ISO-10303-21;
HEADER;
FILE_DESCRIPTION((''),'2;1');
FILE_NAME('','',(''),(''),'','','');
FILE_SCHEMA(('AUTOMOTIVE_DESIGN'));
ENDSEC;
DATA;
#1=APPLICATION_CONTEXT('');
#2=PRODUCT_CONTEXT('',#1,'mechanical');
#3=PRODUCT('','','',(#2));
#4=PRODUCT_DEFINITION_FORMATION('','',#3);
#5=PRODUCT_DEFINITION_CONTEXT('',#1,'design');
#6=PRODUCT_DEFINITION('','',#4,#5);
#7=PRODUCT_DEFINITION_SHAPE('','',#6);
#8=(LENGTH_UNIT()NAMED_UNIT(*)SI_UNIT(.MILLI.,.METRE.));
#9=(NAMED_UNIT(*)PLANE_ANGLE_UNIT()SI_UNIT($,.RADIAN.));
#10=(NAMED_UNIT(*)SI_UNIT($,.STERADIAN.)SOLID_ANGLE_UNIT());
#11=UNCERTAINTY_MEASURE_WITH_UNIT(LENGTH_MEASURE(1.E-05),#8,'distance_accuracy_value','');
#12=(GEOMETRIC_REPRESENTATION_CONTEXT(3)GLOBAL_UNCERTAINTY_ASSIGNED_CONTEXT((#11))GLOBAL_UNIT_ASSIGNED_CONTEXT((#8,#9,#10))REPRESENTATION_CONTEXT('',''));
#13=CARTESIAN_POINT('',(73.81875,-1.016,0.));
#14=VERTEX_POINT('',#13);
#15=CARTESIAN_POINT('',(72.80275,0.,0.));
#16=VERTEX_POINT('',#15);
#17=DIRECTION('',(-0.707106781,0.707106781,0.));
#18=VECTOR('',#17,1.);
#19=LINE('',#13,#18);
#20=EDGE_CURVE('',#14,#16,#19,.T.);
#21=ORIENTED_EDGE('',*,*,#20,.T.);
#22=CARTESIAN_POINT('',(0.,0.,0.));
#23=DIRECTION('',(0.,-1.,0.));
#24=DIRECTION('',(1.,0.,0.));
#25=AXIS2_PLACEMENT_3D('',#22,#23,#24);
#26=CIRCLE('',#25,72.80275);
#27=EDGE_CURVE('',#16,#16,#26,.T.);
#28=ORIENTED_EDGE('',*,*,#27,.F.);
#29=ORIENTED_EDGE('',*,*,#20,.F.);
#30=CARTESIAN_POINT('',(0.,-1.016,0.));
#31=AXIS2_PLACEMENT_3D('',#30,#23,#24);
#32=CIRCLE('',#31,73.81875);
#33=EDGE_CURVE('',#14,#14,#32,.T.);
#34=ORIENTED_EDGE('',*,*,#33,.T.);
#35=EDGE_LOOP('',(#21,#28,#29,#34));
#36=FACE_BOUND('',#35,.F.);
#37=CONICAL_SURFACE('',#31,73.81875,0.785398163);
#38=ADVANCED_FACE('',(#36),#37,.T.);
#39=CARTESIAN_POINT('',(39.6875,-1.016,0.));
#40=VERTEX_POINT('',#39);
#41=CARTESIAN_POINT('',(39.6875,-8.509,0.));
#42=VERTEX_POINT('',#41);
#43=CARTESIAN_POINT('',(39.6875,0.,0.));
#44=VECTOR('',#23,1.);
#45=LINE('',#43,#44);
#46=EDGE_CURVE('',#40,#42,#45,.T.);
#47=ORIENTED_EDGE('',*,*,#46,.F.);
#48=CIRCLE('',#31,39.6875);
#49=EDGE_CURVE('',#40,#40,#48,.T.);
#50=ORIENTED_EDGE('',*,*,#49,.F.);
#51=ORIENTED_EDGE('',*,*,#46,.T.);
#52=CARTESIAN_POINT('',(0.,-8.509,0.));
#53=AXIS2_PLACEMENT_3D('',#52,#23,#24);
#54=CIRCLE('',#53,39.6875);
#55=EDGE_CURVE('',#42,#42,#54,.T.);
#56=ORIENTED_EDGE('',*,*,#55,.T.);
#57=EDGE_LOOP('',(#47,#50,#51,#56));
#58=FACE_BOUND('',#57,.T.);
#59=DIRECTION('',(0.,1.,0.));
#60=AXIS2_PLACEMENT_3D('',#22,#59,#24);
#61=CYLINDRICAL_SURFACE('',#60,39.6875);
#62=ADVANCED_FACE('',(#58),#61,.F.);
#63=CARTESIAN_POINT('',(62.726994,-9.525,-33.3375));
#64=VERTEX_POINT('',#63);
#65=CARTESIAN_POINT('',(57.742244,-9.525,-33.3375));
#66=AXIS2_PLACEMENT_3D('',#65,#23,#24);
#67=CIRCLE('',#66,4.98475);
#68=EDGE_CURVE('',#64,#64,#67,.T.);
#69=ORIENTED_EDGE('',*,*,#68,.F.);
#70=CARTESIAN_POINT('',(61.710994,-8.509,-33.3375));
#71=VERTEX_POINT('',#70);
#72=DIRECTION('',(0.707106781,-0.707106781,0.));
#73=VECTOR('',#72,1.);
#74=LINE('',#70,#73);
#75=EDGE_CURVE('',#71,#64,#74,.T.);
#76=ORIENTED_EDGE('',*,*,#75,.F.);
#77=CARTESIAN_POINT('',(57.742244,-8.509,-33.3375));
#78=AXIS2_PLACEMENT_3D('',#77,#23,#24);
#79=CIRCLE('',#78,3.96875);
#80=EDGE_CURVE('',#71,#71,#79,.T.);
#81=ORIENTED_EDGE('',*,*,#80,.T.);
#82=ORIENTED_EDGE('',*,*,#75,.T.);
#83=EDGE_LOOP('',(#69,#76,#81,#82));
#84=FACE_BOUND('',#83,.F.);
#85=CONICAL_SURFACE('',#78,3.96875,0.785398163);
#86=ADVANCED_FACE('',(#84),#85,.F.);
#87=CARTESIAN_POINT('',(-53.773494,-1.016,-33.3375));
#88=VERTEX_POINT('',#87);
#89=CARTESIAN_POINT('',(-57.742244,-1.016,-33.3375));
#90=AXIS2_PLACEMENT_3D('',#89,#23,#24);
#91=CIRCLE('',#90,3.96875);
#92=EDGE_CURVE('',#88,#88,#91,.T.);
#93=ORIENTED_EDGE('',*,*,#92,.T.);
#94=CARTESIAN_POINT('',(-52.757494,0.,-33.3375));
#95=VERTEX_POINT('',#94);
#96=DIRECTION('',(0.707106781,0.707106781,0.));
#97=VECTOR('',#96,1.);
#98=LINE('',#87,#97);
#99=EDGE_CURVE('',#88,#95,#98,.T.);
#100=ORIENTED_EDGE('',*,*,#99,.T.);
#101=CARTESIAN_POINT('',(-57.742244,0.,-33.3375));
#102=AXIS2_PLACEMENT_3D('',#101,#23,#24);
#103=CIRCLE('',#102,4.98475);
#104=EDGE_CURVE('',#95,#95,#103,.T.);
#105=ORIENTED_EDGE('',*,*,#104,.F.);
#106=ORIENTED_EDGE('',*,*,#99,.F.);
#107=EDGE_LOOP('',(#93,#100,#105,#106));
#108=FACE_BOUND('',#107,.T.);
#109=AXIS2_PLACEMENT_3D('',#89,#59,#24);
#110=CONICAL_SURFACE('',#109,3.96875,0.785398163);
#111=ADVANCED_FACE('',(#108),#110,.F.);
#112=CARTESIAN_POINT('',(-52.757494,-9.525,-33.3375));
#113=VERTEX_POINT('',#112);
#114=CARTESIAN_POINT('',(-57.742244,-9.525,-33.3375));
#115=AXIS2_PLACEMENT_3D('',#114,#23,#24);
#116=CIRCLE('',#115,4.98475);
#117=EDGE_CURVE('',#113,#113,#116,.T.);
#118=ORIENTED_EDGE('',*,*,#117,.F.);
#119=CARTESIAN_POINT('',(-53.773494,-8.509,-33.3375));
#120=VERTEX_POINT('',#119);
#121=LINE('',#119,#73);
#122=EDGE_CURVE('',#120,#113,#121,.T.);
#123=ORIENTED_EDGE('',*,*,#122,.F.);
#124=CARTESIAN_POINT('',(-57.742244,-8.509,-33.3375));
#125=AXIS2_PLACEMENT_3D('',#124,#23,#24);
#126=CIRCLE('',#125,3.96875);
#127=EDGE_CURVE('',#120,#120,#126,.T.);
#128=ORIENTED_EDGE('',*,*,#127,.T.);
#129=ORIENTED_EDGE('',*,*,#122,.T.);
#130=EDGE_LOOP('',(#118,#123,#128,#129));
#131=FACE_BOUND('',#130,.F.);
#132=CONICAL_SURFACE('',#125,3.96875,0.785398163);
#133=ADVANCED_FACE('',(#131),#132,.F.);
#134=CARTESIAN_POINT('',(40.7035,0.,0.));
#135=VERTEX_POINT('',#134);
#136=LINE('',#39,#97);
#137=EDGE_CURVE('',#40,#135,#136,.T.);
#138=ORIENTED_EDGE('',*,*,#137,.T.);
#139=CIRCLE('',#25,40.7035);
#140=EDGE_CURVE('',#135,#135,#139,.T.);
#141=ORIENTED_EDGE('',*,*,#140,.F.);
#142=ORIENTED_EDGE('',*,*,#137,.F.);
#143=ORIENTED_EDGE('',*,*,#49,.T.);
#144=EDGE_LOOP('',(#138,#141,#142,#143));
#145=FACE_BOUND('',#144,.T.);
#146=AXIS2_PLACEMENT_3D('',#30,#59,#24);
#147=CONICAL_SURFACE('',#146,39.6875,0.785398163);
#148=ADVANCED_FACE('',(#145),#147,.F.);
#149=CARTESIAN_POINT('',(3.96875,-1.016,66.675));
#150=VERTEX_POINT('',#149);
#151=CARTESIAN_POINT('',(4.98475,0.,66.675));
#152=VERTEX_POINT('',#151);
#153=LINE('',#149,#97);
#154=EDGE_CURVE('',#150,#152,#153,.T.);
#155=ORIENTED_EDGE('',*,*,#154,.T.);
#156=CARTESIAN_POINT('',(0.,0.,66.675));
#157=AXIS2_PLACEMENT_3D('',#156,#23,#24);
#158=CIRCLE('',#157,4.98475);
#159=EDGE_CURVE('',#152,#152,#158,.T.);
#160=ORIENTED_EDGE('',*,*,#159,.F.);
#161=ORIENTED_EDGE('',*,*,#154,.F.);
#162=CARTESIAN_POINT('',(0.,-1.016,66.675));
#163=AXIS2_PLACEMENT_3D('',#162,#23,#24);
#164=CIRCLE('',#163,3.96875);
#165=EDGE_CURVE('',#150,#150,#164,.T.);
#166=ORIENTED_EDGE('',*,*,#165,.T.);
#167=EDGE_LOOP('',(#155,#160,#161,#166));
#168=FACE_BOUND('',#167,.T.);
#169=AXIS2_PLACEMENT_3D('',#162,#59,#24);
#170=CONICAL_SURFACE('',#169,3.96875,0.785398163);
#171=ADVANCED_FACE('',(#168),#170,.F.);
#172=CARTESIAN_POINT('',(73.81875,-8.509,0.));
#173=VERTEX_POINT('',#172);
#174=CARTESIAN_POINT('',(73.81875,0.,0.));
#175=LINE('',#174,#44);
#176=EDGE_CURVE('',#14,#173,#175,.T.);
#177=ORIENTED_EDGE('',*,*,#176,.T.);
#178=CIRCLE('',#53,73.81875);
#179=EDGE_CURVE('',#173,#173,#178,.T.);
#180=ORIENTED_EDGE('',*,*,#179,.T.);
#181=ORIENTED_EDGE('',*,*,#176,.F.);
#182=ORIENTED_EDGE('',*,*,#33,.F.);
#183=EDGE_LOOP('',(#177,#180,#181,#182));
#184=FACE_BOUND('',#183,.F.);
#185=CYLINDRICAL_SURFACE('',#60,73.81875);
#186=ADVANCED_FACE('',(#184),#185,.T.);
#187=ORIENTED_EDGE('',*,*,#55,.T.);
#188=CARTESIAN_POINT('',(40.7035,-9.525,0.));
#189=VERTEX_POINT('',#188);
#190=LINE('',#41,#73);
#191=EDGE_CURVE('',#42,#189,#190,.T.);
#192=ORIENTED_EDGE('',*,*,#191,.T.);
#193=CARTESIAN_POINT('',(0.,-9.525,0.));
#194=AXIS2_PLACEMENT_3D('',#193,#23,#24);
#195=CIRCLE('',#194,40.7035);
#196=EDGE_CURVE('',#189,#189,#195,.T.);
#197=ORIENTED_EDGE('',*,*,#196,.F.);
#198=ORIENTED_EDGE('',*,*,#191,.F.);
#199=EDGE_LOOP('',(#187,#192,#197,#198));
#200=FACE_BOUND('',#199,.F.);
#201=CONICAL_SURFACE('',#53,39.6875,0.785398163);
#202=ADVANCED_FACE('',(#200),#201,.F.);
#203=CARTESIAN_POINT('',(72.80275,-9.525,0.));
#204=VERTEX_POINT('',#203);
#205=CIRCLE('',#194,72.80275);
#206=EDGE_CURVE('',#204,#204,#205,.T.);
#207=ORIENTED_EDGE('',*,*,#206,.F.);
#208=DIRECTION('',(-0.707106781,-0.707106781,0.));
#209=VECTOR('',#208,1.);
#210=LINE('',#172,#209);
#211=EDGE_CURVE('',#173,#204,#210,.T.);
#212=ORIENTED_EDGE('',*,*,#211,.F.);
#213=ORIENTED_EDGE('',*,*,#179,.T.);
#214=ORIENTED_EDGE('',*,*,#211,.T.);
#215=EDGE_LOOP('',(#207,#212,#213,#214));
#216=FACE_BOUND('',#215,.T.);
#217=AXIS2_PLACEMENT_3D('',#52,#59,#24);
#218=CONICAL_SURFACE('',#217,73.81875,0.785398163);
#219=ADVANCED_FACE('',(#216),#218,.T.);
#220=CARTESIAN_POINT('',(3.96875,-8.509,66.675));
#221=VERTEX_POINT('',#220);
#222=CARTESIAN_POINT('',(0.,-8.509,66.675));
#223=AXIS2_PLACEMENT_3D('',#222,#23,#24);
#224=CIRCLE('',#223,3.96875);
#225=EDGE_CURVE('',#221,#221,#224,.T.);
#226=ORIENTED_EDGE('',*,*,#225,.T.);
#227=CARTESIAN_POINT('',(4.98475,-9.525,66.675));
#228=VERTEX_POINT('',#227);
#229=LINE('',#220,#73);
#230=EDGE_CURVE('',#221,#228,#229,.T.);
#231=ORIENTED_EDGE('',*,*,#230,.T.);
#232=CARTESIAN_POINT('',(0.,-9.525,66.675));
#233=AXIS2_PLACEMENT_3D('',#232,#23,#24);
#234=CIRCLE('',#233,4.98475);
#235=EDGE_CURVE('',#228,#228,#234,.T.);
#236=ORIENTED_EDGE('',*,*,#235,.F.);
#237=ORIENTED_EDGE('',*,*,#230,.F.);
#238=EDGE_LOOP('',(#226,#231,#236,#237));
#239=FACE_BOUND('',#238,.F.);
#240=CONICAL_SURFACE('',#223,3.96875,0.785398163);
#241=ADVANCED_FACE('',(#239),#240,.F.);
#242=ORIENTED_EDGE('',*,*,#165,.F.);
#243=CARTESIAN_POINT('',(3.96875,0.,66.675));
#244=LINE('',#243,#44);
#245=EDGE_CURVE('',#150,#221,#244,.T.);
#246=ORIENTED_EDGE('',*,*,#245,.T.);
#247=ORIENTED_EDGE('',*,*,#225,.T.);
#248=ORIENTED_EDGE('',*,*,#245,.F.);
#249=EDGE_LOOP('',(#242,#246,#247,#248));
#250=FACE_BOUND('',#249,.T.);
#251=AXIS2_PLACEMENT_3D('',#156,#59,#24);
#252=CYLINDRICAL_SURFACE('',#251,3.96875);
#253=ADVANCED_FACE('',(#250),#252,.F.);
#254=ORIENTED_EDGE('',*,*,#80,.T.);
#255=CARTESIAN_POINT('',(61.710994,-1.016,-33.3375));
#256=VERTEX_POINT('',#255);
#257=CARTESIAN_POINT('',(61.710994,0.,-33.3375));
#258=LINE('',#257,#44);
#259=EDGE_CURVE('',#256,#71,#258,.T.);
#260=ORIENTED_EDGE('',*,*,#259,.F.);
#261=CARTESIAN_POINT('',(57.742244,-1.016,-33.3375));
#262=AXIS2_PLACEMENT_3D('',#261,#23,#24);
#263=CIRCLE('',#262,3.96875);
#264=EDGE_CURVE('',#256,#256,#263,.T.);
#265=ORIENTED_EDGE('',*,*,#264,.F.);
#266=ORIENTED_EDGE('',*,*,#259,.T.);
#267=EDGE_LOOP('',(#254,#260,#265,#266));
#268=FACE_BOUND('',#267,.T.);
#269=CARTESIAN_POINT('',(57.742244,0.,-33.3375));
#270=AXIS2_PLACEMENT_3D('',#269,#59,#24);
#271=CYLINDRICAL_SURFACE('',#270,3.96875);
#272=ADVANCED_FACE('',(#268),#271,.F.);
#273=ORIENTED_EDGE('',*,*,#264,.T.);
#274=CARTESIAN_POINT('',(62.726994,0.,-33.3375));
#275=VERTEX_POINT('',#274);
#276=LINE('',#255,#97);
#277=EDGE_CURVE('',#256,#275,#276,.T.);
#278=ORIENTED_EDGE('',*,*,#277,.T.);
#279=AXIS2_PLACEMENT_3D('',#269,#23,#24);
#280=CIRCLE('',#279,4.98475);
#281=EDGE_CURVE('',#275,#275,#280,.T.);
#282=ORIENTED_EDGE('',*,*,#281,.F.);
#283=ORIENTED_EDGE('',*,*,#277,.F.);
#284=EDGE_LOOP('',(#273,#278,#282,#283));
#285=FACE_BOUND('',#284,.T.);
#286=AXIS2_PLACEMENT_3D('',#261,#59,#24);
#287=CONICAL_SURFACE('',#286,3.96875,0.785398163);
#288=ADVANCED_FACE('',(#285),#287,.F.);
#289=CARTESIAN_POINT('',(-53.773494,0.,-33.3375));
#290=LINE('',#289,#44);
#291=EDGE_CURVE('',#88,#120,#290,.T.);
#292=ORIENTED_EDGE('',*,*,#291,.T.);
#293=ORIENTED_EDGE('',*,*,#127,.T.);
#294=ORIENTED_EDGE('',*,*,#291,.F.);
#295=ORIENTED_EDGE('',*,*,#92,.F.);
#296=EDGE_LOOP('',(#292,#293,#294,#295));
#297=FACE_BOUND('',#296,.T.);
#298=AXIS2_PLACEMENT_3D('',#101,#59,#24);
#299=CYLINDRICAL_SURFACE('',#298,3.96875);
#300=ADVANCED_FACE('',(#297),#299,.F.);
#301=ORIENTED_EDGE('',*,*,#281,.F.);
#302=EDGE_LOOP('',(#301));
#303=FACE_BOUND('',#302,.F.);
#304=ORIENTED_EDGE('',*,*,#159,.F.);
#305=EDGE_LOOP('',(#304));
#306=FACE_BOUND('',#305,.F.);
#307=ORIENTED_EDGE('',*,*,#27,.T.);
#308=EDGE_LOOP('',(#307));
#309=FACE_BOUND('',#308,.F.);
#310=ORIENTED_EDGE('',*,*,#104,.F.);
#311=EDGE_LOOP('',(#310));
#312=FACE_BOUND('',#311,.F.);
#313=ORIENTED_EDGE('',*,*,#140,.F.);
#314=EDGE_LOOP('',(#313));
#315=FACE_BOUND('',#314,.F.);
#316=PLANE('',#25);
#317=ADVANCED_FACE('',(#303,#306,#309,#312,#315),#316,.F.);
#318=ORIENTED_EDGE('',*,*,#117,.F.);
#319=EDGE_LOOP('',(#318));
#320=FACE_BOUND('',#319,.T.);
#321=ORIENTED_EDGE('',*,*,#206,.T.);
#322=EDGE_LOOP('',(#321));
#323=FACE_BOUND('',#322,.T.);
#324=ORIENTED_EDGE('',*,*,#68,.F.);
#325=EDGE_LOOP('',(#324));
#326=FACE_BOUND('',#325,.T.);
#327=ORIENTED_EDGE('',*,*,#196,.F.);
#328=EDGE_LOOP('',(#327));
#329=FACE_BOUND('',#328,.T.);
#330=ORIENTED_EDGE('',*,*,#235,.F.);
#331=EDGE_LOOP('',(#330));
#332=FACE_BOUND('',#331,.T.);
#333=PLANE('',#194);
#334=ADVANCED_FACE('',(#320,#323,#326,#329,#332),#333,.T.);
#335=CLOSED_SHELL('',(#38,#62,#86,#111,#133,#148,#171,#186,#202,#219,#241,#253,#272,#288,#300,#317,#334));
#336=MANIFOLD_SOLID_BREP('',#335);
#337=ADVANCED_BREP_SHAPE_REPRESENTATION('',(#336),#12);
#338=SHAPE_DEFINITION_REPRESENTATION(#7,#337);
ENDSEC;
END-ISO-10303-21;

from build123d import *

# Parameters (mm, degrees)
F0_R     = 73.81875
F0_R_2   = 3.96875
F0_R_3   = 39.6875
F1_DEPTH = 9.525
F2_SIZE  = 1.016


with BuildPart() as f1:
    # F0 (on Front) → F1 (new body)
    with BuildSketch(Plane.XZ):
        Circle(F0_R)
        with Locations((-57.742244, -33.3375)):
            Circle(F0_R_2, mode=Mode.SUBTRACT)
        with Locations((57.742244, -33.3375)):
            Circle(F0_R_2, mode=Mode.SUBTRACT)
        Circle(F0_R_3, mode=Mode.SUBTRACT)
        with Locations((0, 66.675)):
            Circle(F0_R_2, mode=Mode.SUBTRACT)
    extrude(amount=F1_DEPTH)

    # F2
    f2_edges = [f1.edges().sort_by_distance(p)[0] for p in [
        (-73.81875, -9.525, 0),
        (-61.710994, -9.525, -33.3375),
        (53.773494, -9.525, -33.3375),
        (-39.6875, -9.525, 0),
        (-3.96875, -9.525, 66.675),
        (-73.81875, 0, 0),
        (-61.710994, 0, -33.3375),
        (53.773494, 0, -33.3375),
        (-39.6875, 0, 0),
        (-3.96875, 0, 66.675),
    ]]
    chamfer(f2_edges, length=F2_SIZE)


solid = f1.part
